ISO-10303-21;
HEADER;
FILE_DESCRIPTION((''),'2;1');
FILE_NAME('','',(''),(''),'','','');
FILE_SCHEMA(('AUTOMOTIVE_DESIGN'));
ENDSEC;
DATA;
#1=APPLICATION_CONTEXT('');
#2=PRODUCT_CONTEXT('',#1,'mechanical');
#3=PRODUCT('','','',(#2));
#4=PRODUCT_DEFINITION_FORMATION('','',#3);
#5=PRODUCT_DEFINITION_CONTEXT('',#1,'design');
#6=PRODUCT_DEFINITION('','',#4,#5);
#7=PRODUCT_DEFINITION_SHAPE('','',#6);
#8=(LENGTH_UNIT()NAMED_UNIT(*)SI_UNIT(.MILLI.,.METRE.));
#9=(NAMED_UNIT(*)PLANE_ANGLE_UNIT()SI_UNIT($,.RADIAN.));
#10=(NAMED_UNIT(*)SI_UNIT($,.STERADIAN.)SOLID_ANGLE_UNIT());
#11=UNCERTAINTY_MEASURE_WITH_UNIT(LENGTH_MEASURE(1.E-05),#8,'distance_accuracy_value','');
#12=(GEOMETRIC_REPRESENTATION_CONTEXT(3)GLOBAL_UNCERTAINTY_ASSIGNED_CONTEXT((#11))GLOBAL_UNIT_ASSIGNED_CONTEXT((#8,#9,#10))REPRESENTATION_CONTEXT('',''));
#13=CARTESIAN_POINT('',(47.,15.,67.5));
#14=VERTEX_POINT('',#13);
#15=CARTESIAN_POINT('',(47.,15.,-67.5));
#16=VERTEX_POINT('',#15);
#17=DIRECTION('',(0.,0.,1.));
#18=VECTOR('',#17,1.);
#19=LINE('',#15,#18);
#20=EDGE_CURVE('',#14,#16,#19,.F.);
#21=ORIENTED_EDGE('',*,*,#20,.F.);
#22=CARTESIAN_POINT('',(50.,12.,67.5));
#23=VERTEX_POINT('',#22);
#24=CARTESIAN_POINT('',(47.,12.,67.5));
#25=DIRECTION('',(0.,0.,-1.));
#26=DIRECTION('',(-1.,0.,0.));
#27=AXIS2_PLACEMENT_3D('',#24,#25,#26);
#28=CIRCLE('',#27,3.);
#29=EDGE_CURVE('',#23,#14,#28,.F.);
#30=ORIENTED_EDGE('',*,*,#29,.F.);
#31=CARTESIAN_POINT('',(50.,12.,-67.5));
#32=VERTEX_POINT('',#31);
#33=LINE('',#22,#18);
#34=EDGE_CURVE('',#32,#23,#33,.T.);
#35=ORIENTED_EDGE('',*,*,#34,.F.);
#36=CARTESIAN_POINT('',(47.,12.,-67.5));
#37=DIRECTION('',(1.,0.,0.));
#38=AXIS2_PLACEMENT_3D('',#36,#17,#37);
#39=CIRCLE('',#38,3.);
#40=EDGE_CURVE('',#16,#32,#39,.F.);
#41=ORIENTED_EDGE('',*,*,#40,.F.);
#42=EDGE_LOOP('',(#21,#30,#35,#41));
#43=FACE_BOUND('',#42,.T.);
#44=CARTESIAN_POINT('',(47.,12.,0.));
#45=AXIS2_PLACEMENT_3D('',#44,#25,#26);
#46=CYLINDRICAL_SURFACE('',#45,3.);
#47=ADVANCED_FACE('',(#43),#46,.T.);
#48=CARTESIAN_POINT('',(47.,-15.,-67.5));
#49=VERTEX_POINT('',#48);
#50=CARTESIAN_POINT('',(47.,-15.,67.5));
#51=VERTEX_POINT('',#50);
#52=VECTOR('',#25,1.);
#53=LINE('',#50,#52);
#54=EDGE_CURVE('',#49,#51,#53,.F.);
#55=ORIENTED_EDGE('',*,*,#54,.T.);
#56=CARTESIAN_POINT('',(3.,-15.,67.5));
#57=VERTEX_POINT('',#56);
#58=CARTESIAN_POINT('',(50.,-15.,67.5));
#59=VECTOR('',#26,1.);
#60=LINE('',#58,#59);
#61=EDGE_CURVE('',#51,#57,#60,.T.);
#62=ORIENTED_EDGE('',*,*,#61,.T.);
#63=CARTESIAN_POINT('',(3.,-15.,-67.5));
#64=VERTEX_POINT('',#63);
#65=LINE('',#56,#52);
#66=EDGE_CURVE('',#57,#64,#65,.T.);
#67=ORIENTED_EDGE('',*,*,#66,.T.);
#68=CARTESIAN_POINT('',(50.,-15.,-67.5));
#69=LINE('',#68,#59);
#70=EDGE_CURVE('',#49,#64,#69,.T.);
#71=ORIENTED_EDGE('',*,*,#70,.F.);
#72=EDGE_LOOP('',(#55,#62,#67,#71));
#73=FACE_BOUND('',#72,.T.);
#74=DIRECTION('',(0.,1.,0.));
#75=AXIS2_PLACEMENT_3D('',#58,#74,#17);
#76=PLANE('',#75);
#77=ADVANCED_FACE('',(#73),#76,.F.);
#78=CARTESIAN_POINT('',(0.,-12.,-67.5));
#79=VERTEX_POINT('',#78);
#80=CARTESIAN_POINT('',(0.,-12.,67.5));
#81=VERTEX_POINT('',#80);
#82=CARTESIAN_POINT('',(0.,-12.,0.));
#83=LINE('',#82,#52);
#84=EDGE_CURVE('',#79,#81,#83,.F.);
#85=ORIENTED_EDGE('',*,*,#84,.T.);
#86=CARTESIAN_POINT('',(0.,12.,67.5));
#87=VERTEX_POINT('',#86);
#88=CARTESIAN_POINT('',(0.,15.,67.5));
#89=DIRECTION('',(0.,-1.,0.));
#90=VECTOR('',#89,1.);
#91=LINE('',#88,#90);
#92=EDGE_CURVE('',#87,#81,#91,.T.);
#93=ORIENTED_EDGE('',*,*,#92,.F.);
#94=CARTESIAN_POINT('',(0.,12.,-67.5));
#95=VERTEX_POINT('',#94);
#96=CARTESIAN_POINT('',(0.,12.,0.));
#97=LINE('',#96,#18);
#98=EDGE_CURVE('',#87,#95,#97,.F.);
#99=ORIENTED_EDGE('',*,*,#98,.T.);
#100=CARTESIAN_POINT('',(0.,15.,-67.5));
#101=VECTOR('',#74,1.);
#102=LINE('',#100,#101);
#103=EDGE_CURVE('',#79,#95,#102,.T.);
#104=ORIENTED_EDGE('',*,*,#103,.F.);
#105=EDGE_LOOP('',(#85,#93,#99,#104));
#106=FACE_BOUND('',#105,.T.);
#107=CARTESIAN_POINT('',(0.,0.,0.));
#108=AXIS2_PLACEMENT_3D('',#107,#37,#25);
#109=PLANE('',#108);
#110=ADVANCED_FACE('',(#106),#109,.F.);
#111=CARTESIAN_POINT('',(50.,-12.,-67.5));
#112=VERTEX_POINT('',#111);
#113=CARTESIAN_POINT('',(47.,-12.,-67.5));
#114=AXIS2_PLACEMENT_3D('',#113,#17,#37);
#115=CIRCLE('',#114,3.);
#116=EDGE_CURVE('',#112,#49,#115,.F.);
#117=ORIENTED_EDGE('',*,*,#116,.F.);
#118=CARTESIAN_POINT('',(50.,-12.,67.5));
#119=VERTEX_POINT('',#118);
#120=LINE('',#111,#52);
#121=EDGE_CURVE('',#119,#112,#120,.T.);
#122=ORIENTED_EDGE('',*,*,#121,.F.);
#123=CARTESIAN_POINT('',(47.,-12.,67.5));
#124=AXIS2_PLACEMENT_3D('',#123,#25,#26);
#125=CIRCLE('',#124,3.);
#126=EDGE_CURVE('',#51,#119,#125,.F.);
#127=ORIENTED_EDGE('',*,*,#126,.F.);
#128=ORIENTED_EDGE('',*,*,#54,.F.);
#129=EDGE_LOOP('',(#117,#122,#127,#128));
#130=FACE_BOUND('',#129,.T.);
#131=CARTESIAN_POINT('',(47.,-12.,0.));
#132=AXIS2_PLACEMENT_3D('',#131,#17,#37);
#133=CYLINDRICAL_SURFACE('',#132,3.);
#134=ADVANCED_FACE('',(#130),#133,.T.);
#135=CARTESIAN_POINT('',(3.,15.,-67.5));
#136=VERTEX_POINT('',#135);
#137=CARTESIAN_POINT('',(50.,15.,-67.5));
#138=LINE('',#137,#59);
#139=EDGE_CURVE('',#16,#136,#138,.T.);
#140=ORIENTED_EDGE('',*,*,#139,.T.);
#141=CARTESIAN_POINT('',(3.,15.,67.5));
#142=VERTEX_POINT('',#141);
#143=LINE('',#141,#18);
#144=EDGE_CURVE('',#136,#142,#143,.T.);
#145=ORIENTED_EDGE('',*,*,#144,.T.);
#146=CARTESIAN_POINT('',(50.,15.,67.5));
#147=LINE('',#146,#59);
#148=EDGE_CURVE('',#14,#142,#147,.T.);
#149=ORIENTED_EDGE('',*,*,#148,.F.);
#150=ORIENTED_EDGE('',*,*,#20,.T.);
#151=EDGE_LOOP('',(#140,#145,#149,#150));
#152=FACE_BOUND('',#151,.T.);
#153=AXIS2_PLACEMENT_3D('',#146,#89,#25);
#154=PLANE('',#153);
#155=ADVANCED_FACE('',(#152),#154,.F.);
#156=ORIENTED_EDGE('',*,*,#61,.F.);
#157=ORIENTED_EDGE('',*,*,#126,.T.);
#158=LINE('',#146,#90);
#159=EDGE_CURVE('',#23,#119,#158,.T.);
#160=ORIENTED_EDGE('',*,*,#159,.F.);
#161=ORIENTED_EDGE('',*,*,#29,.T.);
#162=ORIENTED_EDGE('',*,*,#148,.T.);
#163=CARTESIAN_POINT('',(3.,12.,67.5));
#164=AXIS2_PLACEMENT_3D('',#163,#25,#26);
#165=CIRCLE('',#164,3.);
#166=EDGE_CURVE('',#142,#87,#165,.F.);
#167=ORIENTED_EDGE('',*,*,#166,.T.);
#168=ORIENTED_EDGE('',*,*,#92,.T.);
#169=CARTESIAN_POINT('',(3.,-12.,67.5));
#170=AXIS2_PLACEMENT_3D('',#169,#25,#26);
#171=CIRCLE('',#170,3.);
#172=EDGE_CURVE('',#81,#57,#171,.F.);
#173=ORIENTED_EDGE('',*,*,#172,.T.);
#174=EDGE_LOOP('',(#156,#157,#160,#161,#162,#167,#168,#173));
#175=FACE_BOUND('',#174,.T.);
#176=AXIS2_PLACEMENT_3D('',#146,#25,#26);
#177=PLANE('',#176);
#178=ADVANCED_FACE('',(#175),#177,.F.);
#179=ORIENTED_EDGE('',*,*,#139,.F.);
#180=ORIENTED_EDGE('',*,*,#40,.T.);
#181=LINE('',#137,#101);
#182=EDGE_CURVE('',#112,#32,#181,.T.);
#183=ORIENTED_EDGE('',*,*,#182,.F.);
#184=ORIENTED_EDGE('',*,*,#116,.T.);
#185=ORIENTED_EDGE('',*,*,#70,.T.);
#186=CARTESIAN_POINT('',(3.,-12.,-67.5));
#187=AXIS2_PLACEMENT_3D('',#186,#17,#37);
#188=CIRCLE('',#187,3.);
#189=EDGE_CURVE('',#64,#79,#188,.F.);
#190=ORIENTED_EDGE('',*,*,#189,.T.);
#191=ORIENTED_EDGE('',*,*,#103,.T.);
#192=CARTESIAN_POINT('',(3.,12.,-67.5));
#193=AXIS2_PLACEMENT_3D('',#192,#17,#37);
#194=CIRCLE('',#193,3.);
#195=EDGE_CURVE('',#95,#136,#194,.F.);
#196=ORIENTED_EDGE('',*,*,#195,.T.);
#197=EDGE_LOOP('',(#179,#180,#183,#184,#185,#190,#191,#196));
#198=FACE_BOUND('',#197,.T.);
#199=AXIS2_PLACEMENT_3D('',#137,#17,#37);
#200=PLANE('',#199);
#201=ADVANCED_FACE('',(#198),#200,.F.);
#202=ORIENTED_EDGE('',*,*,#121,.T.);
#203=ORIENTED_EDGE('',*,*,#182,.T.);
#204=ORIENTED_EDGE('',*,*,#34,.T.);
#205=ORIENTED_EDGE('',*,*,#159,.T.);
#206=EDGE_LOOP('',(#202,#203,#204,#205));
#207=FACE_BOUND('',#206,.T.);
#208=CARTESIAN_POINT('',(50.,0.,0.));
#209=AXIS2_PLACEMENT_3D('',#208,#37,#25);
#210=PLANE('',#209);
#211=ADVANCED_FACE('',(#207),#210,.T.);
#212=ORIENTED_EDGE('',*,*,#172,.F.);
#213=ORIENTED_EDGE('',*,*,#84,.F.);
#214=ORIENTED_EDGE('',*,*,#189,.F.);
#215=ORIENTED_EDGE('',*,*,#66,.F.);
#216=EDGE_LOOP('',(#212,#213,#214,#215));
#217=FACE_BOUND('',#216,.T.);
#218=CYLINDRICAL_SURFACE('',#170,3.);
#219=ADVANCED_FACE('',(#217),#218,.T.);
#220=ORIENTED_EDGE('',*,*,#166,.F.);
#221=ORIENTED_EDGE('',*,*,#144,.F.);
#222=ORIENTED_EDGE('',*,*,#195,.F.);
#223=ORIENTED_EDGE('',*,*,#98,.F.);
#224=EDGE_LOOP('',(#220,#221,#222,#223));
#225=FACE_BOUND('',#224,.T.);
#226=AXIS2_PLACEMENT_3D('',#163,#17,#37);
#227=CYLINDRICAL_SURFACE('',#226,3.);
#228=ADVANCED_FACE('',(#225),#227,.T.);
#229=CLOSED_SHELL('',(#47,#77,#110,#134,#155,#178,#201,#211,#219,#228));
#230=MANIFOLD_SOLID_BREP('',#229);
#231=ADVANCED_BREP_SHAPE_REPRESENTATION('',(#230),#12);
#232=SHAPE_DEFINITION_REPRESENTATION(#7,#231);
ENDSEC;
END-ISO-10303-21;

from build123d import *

# Parameters (mm, degrees)
SKETCH_1_W      = 135
SKETCH_1_H      = 30
EXTRUDE_1_DEPTH = 50
FILLET_1_R      = 3


with BuildPart() as part:
    # 草图1 → 凸台-拉伸1 (new body)
    with BuildSketch(Plane(origin=(0, 0, 0), x_dir=(0, 0, -1), z_dir=(1, 0, 0))):
        Rectangle(SKETCH_1_W, SKETCH_1_H)
    extrude(amount=EXTRUDE_1_DEPTH)

    # 圆角1
    fillet_1_edges = [part.edges().sort_by_distance(p)[0] for p in [
        (50, -15, 0),
        (0, -15, 0),
        (0, 15, 0),
        (50, 15, 0),
    ]]
    fillet(fillet_1_edges, radius=FILLET_1_R)


solid = part.part
